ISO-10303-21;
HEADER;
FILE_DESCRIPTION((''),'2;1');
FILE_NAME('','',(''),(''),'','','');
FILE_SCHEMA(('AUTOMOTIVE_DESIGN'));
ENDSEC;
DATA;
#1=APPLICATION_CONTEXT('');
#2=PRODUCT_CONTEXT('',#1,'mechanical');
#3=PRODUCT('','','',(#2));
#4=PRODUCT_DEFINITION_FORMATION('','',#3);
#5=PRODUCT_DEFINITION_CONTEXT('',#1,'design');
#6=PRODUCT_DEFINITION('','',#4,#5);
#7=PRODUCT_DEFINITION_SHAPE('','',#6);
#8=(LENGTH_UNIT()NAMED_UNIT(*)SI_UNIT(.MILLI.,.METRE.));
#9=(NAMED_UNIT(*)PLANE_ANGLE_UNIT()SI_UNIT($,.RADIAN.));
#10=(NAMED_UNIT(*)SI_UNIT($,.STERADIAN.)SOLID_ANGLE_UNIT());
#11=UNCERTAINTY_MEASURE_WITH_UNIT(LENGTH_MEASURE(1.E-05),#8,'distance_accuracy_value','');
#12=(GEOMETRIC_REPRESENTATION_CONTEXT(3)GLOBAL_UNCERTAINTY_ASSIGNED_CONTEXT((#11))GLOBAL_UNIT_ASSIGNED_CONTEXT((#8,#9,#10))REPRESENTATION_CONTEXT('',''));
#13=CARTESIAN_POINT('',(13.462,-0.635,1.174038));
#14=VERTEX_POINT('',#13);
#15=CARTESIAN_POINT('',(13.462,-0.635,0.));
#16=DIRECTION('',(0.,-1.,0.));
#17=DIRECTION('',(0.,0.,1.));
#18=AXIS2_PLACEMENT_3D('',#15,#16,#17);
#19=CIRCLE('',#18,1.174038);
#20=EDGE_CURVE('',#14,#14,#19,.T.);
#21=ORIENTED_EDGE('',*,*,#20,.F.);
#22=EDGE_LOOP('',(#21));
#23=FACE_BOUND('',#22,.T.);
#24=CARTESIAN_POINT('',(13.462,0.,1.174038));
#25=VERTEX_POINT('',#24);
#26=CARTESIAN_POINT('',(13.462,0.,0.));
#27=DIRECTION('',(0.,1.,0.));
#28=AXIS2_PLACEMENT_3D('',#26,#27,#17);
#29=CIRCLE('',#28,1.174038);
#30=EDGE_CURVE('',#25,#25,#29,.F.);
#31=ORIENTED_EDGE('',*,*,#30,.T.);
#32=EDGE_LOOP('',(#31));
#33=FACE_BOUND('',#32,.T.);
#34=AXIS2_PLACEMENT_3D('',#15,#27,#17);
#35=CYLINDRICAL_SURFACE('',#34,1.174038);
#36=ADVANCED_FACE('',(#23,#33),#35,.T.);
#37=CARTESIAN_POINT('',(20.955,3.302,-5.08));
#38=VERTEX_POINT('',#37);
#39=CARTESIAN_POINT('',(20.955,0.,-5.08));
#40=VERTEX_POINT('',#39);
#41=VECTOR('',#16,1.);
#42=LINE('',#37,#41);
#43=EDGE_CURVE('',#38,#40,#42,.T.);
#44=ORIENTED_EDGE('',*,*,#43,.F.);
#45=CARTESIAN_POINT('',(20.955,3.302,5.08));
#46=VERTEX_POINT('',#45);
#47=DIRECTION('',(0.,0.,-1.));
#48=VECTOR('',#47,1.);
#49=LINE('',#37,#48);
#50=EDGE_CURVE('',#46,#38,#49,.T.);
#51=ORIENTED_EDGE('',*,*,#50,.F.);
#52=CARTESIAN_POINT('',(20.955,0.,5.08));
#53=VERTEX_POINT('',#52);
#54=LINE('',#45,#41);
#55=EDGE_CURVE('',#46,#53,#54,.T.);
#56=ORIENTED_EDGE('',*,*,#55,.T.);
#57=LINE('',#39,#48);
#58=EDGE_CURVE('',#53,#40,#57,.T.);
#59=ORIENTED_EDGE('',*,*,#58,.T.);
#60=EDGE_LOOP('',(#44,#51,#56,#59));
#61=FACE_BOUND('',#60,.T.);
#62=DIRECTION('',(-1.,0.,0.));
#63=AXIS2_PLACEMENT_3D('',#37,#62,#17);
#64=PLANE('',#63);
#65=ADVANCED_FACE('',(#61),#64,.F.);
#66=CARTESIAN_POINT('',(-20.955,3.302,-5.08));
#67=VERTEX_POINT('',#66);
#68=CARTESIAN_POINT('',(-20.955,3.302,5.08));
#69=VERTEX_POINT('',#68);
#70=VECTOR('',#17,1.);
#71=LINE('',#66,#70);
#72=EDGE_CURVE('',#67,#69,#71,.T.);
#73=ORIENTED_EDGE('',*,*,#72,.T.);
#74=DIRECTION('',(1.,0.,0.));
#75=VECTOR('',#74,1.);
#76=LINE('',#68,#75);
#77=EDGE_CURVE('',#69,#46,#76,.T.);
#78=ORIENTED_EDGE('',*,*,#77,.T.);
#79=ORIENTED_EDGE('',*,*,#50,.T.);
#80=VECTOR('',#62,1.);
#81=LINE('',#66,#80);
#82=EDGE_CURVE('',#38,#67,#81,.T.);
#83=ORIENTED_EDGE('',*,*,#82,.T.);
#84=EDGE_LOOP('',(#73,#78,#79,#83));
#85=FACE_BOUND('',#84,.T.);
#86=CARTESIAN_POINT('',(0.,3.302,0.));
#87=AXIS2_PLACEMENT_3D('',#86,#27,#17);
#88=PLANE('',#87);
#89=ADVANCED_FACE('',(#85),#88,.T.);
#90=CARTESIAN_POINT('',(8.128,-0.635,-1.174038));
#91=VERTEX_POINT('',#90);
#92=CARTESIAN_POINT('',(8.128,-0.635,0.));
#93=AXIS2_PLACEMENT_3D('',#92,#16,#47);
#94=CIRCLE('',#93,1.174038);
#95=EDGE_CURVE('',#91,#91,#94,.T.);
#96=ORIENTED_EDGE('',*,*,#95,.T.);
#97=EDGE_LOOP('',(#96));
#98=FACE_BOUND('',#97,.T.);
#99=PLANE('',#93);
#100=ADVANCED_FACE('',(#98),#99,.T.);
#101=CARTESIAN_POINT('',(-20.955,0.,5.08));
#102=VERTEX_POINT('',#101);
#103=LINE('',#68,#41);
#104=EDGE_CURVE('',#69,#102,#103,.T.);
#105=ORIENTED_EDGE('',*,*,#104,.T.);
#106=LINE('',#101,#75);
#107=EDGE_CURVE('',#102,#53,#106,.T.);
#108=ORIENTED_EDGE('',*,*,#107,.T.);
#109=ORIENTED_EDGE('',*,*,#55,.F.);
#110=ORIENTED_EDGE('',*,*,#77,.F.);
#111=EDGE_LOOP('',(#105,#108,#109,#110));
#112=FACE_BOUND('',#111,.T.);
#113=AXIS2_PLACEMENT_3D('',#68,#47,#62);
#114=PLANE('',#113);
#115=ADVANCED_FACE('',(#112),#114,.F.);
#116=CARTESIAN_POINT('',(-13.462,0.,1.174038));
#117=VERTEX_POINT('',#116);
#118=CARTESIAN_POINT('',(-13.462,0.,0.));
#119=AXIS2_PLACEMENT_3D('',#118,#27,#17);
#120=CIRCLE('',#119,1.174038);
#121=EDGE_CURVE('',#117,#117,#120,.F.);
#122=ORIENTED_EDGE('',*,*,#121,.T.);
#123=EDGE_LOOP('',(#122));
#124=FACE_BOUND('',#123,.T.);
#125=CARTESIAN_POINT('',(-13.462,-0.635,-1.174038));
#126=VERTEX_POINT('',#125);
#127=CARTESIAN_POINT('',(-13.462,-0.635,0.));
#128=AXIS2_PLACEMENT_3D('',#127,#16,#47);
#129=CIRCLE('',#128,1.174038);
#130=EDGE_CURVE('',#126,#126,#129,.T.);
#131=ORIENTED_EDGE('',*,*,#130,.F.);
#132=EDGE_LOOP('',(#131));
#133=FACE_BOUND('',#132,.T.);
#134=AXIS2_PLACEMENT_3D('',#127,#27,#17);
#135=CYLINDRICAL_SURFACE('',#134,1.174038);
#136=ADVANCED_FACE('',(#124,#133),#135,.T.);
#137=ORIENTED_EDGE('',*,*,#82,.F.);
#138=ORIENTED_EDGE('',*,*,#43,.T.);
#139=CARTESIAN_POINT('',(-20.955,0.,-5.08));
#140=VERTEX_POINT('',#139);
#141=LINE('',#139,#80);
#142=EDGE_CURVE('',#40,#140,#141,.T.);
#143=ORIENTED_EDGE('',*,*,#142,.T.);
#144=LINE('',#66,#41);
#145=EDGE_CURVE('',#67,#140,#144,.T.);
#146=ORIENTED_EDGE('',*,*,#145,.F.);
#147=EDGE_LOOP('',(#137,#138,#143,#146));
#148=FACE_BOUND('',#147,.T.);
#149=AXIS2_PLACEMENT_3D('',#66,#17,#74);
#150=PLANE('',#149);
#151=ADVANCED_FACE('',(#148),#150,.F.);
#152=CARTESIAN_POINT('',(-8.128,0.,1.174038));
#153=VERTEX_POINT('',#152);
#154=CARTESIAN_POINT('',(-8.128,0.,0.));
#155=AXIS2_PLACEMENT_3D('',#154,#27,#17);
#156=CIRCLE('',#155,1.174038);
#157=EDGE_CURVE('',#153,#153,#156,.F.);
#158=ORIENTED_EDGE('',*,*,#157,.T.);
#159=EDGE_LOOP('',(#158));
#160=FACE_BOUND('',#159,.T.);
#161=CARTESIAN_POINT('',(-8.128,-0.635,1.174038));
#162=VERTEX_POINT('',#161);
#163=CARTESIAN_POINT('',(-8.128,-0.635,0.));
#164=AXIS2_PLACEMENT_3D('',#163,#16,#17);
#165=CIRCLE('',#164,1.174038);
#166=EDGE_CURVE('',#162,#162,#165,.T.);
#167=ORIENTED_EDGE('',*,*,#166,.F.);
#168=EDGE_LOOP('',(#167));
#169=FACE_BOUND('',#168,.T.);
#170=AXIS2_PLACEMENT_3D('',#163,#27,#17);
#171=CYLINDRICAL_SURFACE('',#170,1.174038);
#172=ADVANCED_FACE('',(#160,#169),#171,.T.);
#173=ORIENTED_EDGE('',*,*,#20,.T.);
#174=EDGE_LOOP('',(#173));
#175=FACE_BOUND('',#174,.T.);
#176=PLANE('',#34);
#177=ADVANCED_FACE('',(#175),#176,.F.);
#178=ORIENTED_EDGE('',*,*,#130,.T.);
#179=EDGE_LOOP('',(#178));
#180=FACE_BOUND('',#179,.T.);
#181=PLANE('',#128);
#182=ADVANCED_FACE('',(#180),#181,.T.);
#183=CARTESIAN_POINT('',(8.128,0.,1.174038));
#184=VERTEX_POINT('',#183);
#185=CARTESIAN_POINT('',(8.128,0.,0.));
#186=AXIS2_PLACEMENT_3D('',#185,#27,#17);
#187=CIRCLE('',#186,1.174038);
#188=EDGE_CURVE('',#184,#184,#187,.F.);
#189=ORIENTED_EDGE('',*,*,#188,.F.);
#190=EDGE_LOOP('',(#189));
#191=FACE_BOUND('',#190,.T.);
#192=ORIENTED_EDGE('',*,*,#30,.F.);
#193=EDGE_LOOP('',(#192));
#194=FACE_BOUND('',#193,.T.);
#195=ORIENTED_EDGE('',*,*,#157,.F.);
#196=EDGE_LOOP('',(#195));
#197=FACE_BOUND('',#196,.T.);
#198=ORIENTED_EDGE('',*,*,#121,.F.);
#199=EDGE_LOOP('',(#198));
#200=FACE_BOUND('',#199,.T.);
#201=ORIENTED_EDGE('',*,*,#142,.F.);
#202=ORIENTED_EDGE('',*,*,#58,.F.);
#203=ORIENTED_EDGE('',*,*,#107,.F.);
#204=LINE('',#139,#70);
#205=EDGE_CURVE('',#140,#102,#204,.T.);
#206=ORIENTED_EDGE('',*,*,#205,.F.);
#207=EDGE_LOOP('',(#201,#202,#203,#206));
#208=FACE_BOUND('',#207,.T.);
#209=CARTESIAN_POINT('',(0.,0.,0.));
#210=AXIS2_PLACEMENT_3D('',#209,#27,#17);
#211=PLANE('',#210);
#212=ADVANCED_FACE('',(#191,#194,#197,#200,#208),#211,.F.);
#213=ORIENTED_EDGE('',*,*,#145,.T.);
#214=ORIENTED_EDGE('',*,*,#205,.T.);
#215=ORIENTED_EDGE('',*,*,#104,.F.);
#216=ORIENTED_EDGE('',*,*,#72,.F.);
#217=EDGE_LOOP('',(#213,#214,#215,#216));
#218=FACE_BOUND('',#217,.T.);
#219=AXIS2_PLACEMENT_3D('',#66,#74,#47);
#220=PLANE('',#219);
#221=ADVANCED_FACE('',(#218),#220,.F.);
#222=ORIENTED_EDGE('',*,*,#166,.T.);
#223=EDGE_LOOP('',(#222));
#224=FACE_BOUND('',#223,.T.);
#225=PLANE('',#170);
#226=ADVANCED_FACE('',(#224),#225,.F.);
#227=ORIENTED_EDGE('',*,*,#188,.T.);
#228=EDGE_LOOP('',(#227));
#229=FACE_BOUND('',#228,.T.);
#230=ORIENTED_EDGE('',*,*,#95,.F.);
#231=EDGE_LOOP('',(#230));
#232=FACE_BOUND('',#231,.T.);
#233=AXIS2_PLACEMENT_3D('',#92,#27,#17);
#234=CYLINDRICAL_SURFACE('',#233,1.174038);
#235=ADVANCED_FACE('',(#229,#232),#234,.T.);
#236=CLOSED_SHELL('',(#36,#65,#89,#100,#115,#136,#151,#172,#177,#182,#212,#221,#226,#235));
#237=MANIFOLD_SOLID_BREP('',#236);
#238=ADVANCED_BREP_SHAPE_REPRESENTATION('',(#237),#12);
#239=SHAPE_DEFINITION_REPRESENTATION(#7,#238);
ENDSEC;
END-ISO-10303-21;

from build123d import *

# Parameters (mm, degrees)
SKETCH1_W           = 41.91
SKETCH1_H           = 10.16
BOSS_EXTRUDE1_DEPTH = 3.302
SKETCH2_R           = 1.174037675
BOSS_EXTRUDE2_DEPTH = 0.635


with BuildPart() as part:
    # Sketch1 → Boss-Extrude1 (new body)
    with BuildSketch(Plane(origin=(0, 0, 0), x_dir=(1, 0, 0), z_dir=(0, 1, 0))):
        Rectangle(SKETCH1_W, SKETCH1_H)
    extrude(amount=BOSS_EXTRUDE1_DEPTH)

    # Sketch2 → Boss-Extrude2 (add)
    with BuildSketch(Plane.XZ):
        with Locations((-13.462, 0)):
            Circle(SKETCH2_R)
        with Locations((-8.128, 0)):
            Circle(SKETCH2_R)
        with Locations((8.128, 0)):
            Circle(SKETCH2_R)
        with Locations((13.462, 0)):
            Circle(SKETCH2_R)
    extrude(amount=BOSS_EXTRUDE2_DEPTH)


solid = part.part
